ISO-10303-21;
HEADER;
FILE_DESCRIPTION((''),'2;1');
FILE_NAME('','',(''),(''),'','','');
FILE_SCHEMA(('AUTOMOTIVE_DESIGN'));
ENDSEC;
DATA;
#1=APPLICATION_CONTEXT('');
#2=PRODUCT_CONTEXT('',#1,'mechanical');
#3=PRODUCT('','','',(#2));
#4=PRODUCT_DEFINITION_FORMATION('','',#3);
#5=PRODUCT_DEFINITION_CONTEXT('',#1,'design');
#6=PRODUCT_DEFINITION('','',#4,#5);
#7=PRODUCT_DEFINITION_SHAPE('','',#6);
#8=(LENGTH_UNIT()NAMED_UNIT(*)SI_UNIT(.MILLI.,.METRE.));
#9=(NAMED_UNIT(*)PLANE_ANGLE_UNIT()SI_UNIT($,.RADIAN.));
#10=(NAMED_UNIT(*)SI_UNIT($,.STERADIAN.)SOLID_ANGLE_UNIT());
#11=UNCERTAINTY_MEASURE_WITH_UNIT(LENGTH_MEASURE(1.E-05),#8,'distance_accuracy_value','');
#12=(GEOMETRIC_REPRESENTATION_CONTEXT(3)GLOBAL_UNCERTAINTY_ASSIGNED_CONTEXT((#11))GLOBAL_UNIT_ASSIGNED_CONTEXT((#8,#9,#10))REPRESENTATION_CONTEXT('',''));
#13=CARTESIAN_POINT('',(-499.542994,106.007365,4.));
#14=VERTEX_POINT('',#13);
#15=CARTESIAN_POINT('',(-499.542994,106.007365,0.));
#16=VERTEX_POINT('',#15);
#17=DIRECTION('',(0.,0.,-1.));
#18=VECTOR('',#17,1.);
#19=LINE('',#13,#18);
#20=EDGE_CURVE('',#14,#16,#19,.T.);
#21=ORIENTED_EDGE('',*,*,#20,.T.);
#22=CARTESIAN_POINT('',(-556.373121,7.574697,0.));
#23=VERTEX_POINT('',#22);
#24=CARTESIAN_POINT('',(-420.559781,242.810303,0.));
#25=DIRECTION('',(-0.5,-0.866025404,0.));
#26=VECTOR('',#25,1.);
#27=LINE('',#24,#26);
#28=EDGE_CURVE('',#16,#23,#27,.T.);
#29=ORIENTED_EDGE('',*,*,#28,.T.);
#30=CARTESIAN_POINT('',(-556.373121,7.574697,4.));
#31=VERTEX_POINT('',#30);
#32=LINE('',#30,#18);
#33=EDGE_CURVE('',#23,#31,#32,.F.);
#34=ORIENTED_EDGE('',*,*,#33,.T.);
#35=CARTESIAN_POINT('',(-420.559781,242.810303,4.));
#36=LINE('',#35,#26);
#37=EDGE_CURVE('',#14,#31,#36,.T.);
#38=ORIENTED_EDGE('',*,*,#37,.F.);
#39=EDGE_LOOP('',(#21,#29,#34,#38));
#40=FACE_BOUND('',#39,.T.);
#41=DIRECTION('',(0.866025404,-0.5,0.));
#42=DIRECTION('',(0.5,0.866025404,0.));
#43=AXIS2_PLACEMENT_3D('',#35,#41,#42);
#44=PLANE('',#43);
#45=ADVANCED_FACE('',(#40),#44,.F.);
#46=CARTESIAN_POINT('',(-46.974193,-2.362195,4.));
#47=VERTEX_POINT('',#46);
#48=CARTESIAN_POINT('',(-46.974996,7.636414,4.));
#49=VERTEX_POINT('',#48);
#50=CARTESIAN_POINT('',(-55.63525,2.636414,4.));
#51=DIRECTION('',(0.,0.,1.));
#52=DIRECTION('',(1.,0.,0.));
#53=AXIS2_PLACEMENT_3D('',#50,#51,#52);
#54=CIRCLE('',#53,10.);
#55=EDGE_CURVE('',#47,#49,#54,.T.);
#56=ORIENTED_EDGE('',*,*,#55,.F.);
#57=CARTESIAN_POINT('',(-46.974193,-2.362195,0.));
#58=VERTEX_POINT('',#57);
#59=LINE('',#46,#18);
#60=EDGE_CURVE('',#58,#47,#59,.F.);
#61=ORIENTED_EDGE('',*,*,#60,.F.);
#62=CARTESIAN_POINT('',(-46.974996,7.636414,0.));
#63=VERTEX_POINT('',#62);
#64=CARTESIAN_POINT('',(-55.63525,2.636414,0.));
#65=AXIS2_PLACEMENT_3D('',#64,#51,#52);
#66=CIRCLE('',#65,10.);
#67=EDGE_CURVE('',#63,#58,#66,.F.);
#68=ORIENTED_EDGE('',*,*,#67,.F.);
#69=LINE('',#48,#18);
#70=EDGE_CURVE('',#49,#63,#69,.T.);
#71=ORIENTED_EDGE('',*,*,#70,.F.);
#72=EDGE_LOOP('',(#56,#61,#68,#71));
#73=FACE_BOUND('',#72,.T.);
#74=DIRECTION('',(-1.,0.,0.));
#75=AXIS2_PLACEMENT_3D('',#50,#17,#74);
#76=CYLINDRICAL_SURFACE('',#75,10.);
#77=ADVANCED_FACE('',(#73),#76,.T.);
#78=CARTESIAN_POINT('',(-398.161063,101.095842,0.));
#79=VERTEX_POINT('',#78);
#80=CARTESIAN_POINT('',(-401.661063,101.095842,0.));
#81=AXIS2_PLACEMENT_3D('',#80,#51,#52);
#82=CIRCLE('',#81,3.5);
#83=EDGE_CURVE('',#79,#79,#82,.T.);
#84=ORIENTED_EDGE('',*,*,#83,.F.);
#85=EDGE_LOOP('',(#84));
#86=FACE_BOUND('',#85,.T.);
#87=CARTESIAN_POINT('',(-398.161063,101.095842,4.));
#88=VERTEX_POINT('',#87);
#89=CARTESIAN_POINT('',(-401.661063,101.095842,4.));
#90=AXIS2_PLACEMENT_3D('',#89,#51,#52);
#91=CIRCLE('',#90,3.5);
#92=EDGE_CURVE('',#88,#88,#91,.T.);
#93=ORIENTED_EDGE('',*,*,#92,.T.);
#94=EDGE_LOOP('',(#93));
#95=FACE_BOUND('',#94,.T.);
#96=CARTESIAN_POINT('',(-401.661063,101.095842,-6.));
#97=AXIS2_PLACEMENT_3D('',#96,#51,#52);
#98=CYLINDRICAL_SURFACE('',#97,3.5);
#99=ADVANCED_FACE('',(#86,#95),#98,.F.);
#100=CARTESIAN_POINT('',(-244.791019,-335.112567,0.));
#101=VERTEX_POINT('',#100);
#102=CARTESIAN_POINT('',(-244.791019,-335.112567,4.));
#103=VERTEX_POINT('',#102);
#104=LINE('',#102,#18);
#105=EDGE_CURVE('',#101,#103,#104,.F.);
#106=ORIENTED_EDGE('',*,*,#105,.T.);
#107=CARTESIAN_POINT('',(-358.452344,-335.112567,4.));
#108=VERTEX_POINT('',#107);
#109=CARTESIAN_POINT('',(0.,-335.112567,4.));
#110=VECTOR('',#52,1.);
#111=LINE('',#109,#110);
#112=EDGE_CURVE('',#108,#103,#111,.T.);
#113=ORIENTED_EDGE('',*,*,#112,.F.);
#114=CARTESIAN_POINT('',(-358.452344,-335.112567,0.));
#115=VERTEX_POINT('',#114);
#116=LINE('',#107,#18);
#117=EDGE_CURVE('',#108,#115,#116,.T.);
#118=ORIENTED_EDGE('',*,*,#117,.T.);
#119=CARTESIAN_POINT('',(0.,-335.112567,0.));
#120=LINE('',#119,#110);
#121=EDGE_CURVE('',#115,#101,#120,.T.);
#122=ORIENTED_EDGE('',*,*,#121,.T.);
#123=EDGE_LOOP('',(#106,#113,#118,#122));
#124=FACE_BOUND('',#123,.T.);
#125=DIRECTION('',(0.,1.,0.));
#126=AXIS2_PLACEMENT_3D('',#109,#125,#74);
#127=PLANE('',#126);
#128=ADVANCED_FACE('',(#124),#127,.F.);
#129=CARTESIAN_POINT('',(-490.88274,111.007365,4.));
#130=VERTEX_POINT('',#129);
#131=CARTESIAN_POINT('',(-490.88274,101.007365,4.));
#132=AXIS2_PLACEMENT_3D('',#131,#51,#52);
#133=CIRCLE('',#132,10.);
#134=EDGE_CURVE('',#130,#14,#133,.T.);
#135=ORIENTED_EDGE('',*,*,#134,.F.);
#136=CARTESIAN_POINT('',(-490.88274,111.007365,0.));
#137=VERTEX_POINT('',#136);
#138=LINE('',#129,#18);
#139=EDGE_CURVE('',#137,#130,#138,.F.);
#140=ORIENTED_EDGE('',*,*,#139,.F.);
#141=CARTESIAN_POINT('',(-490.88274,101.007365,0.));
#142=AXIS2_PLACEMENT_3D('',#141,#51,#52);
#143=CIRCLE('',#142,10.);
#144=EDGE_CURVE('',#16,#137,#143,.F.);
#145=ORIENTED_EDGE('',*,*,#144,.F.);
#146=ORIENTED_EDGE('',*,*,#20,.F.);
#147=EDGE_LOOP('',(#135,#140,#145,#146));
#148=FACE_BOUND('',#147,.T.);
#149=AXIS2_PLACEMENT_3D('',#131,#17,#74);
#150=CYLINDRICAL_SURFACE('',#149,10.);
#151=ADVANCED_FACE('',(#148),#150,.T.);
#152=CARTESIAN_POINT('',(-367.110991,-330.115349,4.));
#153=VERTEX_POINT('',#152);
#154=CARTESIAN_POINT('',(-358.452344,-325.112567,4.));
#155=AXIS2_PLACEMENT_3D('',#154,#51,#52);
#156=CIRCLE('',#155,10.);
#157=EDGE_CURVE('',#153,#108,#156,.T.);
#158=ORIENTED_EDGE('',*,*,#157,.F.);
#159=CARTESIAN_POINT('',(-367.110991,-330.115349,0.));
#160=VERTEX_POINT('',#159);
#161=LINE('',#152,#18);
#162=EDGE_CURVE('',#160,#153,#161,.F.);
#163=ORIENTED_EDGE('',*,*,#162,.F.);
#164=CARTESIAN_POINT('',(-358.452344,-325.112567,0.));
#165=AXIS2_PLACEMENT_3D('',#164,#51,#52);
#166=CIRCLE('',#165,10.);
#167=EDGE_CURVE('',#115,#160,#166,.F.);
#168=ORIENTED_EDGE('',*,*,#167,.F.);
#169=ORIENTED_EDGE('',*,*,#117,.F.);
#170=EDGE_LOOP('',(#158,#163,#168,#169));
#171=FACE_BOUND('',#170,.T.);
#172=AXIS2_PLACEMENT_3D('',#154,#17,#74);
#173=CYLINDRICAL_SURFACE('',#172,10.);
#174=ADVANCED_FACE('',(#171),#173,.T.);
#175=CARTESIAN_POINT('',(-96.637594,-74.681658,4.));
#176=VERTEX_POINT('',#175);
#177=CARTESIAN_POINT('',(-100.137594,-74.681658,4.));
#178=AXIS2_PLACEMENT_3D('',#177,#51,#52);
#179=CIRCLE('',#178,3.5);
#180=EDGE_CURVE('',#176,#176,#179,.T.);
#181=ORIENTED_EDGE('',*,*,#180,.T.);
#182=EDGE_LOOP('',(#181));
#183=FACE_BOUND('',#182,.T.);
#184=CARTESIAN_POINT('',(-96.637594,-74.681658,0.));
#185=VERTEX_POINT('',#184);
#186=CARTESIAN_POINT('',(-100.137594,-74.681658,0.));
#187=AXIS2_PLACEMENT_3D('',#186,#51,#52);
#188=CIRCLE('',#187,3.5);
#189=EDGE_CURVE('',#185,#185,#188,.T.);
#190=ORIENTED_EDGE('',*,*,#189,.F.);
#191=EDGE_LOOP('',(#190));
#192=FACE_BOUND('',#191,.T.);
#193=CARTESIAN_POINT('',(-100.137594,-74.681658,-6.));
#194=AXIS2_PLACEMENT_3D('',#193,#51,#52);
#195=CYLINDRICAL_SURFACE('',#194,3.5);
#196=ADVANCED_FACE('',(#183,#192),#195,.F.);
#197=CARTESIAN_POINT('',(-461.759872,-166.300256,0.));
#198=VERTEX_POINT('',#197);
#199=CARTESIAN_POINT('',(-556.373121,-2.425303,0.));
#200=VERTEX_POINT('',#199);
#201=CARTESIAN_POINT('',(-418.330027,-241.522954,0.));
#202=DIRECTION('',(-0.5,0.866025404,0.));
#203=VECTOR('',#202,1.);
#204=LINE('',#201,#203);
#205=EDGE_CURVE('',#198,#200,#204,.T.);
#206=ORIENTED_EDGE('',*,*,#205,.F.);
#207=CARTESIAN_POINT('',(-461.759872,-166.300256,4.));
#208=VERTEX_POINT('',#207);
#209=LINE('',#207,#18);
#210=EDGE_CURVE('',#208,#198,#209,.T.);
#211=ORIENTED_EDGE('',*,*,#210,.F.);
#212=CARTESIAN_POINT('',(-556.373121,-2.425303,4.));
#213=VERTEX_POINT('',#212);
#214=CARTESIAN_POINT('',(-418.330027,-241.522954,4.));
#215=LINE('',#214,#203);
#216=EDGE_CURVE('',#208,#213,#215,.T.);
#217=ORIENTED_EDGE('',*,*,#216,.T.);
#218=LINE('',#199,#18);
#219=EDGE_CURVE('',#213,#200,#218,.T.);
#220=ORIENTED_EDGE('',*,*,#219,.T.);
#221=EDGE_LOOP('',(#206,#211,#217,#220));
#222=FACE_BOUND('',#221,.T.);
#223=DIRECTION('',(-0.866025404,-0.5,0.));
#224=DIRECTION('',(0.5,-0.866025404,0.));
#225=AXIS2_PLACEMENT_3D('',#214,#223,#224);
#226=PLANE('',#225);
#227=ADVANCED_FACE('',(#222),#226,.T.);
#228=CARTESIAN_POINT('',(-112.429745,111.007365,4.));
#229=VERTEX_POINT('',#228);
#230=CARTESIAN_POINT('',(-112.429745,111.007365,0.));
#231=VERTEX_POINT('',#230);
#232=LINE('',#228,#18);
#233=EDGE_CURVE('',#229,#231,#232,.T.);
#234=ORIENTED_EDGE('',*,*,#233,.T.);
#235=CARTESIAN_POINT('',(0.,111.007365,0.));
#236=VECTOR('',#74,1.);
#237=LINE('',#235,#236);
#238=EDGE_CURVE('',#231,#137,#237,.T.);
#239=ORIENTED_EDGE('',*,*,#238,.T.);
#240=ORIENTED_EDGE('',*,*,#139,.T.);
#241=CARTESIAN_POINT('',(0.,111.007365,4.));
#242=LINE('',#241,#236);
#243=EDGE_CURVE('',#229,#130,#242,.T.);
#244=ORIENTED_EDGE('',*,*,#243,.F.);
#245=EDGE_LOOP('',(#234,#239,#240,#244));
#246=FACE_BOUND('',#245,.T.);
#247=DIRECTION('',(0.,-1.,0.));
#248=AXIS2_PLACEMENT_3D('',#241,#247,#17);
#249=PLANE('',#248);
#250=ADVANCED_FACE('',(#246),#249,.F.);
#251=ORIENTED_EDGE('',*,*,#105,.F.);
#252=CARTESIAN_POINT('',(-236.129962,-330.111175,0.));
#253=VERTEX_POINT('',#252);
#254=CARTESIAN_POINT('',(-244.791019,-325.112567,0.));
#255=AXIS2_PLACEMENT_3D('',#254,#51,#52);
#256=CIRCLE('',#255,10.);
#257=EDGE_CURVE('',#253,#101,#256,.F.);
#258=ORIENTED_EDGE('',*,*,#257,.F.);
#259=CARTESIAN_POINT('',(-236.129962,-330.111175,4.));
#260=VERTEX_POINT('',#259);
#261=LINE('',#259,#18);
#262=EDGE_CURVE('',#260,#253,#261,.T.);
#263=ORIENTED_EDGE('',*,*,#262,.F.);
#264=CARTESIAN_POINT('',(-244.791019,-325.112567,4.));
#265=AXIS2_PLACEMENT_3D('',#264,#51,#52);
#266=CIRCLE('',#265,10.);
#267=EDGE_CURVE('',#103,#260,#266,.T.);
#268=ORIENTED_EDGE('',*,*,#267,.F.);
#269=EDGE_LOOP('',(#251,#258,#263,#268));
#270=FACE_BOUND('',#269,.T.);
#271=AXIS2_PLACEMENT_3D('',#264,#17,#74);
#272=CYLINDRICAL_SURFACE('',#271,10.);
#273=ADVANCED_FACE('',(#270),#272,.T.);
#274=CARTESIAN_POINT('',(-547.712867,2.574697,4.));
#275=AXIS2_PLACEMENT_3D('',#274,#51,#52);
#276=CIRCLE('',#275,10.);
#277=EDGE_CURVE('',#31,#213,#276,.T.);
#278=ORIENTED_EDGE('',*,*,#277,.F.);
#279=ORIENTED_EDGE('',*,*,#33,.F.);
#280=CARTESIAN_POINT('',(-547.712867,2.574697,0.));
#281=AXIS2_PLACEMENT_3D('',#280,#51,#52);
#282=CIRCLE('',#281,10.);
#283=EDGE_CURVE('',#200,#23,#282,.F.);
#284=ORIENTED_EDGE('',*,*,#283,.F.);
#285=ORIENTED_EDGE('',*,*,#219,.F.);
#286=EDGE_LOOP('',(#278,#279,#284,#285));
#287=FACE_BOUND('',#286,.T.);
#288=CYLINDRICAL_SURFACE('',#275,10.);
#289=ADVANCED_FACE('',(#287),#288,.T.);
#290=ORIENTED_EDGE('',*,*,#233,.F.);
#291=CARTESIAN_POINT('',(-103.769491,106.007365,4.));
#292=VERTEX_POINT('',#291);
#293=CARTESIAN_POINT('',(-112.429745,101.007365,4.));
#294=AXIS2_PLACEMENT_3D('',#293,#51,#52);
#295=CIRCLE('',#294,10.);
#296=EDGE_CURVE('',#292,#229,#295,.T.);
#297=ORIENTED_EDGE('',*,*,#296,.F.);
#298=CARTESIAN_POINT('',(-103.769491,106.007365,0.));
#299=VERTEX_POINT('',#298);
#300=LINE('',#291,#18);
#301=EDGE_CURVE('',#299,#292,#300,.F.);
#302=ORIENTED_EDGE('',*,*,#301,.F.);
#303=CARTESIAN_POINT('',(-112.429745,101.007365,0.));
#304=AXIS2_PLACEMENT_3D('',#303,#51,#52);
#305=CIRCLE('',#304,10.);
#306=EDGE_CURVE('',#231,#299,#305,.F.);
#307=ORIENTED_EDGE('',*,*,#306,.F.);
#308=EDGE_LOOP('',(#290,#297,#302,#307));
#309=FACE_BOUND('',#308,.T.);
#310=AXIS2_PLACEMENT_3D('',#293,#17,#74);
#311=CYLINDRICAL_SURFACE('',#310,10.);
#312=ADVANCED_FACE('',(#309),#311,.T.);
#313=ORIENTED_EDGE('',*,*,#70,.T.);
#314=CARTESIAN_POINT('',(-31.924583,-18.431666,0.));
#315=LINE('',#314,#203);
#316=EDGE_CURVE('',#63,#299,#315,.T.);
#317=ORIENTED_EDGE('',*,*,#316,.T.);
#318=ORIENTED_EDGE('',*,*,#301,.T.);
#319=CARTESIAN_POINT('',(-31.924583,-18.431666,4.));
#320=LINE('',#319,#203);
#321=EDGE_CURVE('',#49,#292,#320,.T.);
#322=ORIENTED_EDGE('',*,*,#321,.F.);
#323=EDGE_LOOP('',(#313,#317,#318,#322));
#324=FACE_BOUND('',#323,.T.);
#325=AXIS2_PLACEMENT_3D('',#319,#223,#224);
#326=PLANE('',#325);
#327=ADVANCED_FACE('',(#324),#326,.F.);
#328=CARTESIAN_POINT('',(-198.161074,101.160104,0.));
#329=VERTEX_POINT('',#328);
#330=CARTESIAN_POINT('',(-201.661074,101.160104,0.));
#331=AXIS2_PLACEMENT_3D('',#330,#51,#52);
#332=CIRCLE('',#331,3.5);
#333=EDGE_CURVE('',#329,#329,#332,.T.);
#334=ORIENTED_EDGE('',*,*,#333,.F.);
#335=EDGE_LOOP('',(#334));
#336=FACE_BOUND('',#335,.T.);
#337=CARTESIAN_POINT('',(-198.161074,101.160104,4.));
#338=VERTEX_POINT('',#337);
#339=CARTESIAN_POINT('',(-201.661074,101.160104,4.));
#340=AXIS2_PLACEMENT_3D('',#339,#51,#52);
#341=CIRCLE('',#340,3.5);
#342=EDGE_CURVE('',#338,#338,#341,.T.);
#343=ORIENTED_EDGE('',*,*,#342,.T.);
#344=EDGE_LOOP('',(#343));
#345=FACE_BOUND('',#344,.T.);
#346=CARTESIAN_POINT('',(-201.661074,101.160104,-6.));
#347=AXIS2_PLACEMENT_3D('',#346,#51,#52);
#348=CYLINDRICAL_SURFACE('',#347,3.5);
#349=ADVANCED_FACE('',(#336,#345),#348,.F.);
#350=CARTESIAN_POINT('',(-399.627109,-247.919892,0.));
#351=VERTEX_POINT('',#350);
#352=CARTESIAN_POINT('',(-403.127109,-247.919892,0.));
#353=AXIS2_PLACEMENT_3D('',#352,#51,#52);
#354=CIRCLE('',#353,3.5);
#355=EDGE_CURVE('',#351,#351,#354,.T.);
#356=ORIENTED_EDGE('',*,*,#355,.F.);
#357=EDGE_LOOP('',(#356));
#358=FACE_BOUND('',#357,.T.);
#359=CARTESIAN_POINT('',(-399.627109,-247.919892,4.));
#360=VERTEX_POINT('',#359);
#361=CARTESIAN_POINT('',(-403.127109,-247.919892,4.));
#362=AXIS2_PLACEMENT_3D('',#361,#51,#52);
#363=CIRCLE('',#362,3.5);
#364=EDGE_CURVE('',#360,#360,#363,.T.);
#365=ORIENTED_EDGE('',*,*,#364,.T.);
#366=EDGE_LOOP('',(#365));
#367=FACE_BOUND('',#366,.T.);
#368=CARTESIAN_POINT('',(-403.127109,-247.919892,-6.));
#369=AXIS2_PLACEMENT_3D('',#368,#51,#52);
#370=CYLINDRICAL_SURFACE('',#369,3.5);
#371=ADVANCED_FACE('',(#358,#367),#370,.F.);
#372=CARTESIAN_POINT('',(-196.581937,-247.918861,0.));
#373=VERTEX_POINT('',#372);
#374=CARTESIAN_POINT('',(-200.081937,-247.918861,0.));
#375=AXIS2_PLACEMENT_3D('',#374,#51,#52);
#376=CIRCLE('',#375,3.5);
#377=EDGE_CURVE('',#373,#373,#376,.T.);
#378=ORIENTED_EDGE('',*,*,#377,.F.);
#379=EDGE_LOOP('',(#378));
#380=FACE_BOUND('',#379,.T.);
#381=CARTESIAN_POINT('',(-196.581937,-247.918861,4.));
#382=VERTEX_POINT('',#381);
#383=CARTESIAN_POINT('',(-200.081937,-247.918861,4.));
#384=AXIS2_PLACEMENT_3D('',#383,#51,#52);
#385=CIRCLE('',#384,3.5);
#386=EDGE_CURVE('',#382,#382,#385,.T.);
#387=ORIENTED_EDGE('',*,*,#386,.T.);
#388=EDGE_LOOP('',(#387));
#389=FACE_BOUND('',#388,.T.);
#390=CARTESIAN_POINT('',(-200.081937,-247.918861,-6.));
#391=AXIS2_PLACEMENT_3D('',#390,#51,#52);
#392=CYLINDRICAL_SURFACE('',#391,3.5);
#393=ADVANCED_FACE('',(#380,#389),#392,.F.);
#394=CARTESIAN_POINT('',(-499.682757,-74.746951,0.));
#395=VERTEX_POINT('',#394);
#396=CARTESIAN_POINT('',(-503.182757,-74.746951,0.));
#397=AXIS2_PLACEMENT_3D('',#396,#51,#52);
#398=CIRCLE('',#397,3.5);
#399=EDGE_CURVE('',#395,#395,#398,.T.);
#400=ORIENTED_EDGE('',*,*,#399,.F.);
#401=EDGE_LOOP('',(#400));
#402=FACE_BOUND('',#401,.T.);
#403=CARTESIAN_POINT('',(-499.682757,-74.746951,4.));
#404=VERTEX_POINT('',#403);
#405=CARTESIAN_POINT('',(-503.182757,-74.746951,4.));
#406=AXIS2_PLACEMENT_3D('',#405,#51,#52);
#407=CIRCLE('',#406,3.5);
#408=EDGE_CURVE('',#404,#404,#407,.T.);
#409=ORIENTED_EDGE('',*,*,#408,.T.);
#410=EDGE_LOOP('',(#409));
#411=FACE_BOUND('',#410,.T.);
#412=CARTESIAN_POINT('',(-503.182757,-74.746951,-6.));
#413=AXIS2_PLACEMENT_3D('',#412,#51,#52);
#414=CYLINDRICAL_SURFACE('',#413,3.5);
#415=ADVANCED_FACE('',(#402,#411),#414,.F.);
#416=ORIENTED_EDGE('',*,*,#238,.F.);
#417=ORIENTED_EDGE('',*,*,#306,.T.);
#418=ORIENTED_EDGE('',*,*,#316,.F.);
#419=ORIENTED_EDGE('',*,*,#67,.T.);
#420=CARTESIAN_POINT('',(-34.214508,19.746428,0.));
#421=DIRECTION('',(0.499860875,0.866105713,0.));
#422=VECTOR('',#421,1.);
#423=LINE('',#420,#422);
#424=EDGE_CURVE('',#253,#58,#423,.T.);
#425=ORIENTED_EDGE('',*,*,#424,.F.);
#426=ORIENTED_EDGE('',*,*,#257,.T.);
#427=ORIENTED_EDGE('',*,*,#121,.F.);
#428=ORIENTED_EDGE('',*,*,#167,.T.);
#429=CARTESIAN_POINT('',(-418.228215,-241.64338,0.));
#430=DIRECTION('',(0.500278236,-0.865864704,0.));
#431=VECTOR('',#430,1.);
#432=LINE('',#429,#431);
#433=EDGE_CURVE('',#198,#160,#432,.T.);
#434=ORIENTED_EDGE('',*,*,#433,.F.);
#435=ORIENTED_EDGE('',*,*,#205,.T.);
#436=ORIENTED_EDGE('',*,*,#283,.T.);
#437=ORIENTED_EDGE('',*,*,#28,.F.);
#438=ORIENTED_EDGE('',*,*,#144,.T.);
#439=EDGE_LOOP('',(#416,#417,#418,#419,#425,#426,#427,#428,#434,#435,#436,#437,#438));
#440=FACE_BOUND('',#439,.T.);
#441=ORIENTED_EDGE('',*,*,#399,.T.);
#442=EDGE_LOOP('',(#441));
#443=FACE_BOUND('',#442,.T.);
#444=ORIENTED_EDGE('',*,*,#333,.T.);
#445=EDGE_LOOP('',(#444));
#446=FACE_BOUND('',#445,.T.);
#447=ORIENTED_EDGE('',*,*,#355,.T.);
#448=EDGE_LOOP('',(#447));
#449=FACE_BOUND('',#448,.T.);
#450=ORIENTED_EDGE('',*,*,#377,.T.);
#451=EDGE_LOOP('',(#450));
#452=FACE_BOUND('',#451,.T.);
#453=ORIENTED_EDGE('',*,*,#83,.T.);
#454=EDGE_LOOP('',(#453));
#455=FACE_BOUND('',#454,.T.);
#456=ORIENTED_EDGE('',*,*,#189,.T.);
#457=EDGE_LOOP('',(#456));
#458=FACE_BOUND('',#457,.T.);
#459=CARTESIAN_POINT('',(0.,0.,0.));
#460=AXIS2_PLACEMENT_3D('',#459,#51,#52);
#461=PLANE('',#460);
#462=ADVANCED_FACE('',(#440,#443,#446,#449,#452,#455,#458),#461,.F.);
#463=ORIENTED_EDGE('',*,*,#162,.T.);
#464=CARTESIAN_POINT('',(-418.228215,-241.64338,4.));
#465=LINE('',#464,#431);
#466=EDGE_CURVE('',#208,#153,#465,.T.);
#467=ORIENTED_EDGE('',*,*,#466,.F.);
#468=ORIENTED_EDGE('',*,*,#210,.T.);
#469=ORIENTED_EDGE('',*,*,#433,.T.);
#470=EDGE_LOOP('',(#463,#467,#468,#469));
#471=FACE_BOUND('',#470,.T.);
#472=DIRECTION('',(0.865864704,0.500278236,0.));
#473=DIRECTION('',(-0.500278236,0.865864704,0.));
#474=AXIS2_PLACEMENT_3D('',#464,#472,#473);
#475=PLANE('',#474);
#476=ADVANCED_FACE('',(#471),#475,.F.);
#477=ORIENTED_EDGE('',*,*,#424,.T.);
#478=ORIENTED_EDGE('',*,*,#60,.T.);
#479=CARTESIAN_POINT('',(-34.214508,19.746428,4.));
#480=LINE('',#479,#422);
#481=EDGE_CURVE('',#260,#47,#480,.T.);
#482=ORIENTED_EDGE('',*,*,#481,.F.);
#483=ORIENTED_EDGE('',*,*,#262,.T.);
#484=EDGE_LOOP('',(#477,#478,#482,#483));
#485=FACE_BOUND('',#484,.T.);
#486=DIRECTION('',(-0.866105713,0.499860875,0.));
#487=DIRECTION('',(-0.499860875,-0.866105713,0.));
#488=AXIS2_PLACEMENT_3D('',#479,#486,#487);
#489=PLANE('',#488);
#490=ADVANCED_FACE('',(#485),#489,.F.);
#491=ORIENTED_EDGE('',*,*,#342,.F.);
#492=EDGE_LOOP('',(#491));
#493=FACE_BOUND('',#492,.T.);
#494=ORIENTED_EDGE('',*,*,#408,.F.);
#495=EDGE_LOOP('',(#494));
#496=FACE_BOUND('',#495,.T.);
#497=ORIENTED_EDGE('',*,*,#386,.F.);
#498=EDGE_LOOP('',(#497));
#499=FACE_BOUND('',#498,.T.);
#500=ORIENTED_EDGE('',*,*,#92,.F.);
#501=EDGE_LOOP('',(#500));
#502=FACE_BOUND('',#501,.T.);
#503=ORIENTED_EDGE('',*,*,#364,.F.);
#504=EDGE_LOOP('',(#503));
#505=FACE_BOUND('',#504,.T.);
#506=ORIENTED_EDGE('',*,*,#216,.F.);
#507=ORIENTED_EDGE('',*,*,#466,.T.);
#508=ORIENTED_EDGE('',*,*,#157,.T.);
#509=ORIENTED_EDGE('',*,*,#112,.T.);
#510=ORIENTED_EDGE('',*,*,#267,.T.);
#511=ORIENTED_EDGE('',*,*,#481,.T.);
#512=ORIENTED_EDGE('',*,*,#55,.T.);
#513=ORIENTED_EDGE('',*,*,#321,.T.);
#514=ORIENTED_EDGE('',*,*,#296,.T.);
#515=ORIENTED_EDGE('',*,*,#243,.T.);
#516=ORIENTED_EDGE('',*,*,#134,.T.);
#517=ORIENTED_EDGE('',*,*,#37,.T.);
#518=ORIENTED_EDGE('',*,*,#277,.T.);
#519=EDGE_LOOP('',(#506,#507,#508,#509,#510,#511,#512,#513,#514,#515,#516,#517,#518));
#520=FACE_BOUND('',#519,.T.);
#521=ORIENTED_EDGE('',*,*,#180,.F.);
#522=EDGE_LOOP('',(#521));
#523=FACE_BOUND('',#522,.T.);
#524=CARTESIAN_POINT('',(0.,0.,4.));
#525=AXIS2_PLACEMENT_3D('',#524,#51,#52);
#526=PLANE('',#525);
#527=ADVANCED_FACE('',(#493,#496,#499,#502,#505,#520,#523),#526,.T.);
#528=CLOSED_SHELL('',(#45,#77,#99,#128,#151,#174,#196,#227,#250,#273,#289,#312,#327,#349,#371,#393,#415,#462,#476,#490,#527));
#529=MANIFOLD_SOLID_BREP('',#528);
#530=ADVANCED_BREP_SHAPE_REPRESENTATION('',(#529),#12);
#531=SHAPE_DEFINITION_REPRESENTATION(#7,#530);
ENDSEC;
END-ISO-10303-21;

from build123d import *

# Parameters (mm, degrees)
ESTRUSIONE_ESTRUSIONE1_DEPTH = 4
RACCORDO1_R                  = 10
SCHIZZO2_R                   = 3.5
TAGLIO_ESTRUSIONE1_DEPTH     = 10


with BuildPart() as part:
    # Schizzo1 → Estrusione-Estrusione1 (new body)
    with BuildSketch(Plane(origin=(0, 0, 0), x_dir=(-1, 0, 0), z_dir=(0, 0, 1))):
        Polygon((559.259871964, -2.574697247), (461.759871964, 166.300256491), (364.223704599, 335.112566514), (239.016445177, 335.112566514), (44.088779908, -2.637340962), (106.656242253, -111.007364644), (496.656242253, -111.007364644), align=None)
    extrude(amount=ESTRUSIONE_ESTRUSIONE1_DEPTH)

    # Raccordo1
    raccordo1_edges = [part.edges().sort_by_distance(p)[0] for p in [
        (-559.259871964, 2.574697247, 2),
        (-496.656242253, 111.007364644, 2),
        (-106.656242253, 111.007364644, 2),
        (-44.088779908, 2.637340962, 2),
        (-239.016445177, -335.112566514, 2),
        (-364.223704599, -335.112566514, 2),
    ]]
    fillet(raccordo1_edges, radius=RACCORDO1_R)

    # Schizzo2 → Taglio-Estrusione1 (cut)
    with BuildSketch(Plane.XY.offset(4)):
        with Locations((-503.182756728, -74.746951028)):
            Circle(SCHIZZO2_R)
        with Locations((-403.12710947, -247.919891905)):
            Circle(SCHIZZO2_R)
        with Locations((-201.661073821, 101.160104014)):
            Circle(SCHIZZO2_R)
        with Locations((-401.661063497, 101.095842135)):
            Circle(SCHIZZO2_R)
        with Locations((-200.081936903, -247.918860697)):
            Circle(SCHIZZO2_R)
        with Locations((-100.137594485, -74.681657941)):
            Circle(SCHIZZO2_R)
    extrude(amount=-TAGLIO_ESTRUSIONE1_DEPTH, mode=Mode.SUBTRACT)


solid = part.part
